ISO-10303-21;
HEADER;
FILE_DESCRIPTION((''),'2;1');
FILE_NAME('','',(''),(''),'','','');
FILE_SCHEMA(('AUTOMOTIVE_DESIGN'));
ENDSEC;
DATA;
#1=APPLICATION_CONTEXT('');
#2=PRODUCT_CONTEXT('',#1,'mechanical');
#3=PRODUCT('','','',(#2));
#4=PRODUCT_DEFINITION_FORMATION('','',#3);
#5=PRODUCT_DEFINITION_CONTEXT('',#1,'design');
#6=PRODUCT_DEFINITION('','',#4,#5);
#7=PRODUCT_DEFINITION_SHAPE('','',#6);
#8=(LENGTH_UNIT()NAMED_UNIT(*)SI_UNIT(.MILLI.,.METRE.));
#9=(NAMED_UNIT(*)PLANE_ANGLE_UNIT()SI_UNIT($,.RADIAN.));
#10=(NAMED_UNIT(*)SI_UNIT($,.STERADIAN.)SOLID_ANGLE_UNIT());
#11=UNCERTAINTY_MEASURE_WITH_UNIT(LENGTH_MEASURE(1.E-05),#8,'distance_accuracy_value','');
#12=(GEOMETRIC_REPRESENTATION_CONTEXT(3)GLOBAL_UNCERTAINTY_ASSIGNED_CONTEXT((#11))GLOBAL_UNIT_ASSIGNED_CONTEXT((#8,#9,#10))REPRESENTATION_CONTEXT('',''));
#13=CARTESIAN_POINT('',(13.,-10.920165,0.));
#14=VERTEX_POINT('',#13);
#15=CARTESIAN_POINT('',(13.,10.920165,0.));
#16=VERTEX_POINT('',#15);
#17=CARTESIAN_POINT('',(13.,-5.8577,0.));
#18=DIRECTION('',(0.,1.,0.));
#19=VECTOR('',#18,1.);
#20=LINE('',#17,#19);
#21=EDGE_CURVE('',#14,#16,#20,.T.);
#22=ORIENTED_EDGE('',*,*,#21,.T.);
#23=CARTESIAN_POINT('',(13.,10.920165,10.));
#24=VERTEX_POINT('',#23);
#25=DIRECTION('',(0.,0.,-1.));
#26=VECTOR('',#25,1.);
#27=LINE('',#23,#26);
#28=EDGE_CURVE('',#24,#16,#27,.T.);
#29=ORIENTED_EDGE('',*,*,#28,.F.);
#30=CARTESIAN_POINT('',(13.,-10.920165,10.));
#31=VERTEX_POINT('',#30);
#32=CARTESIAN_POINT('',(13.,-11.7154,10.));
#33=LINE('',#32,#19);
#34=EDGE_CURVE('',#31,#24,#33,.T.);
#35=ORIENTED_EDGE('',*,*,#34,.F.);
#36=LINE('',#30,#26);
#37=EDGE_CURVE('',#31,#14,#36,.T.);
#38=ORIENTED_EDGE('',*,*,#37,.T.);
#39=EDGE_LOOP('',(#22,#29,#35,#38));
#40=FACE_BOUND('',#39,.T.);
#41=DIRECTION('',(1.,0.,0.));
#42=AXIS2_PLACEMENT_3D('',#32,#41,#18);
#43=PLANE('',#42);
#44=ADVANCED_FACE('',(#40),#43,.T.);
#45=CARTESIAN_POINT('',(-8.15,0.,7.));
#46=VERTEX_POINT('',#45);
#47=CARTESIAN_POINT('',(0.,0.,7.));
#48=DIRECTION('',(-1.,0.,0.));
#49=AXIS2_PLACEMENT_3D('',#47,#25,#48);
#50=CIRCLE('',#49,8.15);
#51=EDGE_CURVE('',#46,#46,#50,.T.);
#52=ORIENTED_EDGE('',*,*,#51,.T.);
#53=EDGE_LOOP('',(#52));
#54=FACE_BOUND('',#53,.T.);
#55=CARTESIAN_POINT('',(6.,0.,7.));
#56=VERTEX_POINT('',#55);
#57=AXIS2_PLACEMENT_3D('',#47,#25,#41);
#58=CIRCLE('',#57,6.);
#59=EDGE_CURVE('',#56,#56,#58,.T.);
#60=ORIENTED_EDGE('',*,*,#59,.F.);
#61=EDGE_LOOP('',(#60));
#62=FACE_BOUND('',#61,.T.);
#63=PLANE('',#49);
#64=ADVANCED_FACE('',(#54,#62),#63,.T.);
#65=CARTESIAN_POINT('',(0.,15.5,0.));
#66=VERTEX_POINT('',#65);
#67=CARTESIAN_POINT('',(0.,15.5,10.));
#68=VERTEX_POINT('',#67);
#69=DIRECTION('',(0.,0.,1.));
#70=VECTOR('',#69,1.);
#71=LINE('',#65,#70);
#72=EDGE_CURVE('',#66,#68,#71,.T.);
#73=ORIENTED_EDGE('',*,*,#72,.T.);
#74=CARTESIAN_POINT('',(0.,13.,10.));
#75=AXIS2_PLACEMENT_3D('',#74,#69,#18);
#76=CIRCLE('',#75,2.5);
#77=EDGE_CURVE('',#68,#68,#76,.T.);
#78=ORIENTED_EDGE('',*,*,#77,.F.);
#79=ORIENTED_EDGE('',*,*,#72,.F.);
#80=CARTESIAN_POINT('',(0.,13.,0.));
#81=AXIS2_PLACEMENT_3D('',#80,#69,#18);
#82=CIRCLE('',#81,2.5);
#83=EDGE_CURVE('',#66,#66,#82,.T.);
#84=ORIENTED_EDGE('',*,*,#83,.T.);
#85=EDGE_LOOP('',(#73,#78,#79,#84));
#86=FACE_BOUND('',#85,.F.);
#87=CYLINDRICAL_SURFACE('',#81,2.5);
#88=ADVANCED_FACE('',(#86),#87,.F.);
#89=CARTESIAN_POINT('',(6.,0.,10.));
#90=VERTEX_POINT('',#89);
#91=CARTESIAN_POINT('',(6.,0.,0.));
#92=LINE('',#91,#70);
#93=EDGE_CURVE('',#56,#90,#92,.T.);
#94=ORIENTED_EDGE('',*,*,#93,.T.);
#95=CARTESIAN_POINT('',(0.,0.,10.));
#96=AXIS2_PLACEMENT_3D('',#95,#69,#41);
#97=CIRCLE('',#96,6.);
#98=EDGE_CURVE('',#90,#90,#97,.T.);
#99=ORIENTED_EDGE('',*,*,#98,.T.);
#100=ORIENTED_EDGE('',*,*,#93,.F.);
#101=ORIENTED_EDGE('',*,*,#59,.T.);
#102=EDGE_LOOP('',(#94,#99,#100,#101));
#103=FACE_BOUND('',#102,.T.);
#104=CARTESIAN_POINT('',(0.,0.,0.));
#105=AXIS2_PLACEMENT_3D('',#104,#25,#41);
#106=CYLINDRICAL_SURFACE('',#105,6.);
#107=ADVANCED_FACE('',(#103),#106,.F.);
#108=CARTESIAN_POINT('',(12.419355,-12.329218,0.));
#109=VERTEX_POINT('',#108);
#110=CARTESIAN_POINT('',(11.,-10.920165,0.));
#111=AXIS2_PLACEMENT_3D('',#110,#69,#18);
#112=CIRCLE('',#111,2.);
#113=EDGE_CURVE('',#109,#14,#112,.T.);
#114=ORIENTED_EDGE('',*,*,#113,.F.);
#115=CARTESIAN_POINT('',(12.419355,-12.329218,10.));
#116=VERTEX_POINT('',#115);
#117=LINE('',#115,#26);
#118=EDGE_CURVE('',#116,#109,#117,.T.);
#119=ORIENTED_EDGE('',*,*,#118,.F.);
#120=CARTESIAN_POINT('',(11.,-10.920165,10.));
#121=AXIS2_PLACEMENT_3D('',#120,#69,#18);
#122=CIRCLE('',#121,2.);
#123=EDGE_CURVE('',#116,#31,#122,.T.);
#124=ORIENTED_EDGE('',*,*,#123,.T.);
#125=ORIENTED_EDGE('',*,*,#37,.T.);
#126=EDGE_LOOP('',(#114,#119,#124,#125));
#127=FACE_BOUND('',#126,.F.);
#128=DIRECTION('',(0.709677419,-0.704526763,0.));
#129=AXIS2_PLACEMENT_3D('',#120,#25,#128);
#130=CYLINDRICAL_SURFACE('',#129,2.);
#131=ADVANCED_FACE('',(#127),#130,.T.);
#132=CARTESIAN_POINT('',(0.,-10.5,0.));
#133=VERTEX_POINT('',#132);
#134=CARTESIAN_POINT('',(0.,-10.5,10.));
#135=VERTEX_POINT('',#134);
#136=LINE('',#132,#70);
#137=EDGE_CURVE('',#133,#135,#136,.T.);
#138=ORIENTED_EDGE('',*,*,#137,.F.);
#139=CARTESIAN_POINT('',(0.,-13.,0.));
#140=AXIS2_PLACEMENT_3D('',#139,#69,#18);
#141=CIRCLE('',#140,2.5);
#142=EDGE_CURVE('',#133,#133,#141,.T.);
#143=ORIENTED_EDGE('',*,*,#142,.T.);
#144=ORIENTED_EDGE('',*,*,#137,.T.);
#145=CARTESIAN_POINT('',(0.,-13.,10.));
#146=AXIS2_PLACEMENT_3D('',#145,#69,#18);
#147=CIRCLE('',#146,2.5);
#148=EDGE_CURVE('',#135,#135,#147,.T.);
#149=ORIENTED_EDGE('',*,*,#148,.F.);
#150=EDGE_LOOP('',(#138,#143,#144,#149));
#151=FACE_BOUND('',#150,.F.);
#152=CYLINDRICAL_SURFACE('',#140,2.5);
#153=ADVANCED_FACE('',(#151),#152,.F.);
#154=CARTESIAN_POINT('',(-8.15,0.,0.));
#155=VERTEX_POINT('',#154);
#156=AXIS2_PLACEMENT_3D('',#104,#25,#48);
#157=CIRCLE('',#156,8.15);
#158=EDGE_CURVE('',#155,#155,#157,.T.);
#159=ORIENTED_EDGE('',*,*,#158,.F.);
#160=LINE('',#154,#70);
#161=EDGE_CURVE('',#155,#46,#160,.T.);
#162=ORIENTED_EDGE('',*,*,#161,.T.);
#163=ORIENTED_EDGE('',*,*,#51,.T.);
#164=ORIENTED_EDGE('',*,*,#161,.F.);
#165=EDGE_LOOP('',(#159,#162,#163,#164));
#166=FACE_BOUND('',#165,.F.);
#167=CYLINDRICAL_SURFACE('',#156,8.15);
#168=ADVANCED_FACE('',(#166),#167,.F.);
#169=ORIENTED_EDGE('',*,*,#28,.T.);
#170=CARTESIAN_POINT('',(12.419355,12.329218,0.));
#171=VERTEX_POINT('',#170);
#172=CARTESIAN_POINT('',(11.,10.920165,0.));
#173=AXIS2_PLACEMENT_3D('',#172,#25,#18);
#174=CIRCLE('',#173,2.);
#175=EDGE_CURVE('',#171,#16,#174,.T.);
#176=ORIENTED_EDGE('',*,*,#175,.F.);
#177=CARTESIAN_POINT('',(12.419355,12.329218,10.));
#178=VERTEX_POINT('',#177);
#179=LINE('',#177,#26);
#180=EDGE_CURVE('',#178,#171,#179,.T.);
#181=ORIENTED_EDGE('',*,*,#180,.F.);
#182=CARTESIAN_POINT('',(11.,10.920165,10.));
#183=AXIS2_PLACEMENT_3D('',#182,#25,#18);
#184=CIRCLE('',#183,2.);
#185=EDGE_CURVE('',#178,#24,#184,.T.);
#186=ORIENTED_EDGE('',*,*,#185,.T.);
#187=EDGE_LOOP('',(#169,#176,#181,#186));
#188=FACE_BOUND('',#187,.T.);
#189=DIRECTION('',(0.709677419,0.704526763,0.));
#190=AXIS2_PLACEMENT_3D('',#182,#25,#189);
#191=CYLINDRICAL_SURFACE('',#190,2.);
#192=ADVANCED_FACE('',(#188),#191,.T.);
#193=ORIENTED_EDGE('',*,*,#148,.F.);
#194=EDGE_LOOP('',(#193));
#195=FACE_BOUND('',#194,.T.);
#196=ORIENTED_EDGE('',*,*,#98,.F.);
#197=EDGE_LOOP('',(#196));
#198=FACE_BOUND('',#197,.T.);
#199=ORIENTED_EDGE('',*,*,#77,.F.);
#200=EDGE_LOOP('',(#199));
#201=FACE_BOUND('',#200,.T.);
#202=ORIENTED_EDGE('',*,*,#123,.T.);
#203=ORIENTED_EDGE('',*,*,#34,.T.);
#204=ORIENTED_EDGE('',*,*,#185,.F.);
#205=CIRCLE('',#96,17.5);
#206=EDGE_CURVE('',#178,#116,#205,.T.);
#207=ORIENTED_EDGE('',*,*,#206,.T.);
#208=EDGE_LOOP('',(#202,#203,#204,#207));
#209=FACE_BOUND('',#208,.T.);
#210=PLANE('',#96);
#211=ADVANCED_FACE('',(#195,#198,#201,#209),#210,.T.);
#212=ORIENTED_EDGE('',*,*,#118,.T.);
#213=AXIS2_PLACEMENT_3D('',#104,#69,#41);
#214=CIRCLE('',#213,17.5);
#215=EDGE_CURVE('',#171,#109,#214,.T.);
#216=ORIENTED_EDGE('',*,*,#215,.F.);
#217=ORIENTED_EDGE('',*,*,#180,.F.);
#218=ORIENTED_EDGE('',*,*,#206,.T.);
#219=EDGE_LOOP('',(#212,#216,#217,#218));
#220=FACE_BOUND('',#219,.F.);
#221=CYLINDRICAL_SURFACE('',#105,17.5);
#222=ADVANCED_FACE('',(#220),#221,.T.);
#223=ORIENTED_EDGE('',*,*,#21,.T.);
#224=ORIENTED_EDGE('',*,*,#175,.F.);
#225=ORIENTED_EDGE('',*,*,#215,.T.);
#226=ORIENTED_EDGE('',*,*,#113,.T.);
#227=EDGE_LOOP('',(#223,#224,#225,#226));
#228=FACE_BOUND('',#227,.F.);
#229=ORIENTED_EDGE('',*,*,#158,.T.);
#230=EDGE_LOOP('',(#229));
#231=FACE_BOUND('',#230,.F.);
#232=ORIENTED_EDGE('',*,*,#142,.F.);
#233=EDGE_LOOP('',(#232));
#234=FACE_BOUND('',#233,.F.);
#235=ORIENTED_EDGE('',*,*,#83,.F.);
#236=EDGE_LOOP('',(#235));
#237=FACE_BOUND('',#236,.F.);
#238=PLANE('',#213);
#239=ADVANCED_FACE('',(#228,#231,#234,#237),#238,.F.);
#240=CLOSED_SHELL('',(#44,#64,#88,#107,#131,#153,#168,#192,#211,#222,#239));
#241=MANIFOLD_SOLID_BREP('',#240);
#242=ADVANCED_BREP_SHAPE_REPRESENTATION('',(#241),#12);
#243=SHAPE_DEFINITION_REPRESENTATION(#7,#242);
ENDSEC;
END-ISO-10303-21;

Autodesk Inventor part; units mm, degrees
ref_plane "YZ Plane" through (0, 0, 0) normal (1, 0, 0) x (0, 1, 0)
ref_plane "XZ Plane" through (0, 0, 0) normal (0, 1, 0) x (-1, 0, 0)
ref_plane "XY Plane" through (0, 0, 0) normal (0, 0, 1) x (1, 0, 0)
sketch "Sketch1" plane through (0, 0, 0) normal (0, 0, 1) x (1, 0, 0)
  circle A0 centre (0, 0) radius 6
  circle A1 centre (0, 0) radius 17.5
  dimension "d0" = 12
  dimension "d1" = 35
extrude "Extrusion1" add sketch "Sketch1" along normal blind 10
sketch "Sketch4" plane through (0, 0, 0) normal (0, 0, -1) x (-1, 0, 0)
  circle A0 centre (0, 0) radius 13 construction
  point P0 (0, -13)
  point P1 (0, 13)
  dimension "d7" = 26
hole "Hole1" at (0, -13, 0) at (0, 13, 0) direction (0, 0, 1) diameter 5 end through all
sketch "Sketch5" plane through (0, 0, 0) normal (0, 0, -1) x (-1, 0, 0)
  circle A0 centre (0, 0) radius 8.15
  dimension "d15" = 16.3
extrude "Extrusion3" cut sketch "Sketch5" against normal blind 7
sketch "Sketch6" plane through (0, 0, 10) normal (0, 0, 1) x (1, 0, 0)
  line L0 (13, -11.7154) -> (13, 11.7154)
  circle A0 centre (0, 0) radius 17.5 projected
  circle A1 centre (0, -13) radius 2.5 construction
  circle A2 centre (0, 13) radius 2.5 construction
  line L1 (0, -13) -> (0, 13) construction
  dimension "d22" = 13
extrude "Extrusion4" cut sketch "Sketch6" against normal through all contours L0 A0 picked at (13.8164, -2.7401)
fillet "Fillet2" radius 2 2 edges at (13, -11.7154, 5) (13, 11.7154, 5)
properties part number "0008-10-034 Suport_Rulment" material "ABS Plastic"
